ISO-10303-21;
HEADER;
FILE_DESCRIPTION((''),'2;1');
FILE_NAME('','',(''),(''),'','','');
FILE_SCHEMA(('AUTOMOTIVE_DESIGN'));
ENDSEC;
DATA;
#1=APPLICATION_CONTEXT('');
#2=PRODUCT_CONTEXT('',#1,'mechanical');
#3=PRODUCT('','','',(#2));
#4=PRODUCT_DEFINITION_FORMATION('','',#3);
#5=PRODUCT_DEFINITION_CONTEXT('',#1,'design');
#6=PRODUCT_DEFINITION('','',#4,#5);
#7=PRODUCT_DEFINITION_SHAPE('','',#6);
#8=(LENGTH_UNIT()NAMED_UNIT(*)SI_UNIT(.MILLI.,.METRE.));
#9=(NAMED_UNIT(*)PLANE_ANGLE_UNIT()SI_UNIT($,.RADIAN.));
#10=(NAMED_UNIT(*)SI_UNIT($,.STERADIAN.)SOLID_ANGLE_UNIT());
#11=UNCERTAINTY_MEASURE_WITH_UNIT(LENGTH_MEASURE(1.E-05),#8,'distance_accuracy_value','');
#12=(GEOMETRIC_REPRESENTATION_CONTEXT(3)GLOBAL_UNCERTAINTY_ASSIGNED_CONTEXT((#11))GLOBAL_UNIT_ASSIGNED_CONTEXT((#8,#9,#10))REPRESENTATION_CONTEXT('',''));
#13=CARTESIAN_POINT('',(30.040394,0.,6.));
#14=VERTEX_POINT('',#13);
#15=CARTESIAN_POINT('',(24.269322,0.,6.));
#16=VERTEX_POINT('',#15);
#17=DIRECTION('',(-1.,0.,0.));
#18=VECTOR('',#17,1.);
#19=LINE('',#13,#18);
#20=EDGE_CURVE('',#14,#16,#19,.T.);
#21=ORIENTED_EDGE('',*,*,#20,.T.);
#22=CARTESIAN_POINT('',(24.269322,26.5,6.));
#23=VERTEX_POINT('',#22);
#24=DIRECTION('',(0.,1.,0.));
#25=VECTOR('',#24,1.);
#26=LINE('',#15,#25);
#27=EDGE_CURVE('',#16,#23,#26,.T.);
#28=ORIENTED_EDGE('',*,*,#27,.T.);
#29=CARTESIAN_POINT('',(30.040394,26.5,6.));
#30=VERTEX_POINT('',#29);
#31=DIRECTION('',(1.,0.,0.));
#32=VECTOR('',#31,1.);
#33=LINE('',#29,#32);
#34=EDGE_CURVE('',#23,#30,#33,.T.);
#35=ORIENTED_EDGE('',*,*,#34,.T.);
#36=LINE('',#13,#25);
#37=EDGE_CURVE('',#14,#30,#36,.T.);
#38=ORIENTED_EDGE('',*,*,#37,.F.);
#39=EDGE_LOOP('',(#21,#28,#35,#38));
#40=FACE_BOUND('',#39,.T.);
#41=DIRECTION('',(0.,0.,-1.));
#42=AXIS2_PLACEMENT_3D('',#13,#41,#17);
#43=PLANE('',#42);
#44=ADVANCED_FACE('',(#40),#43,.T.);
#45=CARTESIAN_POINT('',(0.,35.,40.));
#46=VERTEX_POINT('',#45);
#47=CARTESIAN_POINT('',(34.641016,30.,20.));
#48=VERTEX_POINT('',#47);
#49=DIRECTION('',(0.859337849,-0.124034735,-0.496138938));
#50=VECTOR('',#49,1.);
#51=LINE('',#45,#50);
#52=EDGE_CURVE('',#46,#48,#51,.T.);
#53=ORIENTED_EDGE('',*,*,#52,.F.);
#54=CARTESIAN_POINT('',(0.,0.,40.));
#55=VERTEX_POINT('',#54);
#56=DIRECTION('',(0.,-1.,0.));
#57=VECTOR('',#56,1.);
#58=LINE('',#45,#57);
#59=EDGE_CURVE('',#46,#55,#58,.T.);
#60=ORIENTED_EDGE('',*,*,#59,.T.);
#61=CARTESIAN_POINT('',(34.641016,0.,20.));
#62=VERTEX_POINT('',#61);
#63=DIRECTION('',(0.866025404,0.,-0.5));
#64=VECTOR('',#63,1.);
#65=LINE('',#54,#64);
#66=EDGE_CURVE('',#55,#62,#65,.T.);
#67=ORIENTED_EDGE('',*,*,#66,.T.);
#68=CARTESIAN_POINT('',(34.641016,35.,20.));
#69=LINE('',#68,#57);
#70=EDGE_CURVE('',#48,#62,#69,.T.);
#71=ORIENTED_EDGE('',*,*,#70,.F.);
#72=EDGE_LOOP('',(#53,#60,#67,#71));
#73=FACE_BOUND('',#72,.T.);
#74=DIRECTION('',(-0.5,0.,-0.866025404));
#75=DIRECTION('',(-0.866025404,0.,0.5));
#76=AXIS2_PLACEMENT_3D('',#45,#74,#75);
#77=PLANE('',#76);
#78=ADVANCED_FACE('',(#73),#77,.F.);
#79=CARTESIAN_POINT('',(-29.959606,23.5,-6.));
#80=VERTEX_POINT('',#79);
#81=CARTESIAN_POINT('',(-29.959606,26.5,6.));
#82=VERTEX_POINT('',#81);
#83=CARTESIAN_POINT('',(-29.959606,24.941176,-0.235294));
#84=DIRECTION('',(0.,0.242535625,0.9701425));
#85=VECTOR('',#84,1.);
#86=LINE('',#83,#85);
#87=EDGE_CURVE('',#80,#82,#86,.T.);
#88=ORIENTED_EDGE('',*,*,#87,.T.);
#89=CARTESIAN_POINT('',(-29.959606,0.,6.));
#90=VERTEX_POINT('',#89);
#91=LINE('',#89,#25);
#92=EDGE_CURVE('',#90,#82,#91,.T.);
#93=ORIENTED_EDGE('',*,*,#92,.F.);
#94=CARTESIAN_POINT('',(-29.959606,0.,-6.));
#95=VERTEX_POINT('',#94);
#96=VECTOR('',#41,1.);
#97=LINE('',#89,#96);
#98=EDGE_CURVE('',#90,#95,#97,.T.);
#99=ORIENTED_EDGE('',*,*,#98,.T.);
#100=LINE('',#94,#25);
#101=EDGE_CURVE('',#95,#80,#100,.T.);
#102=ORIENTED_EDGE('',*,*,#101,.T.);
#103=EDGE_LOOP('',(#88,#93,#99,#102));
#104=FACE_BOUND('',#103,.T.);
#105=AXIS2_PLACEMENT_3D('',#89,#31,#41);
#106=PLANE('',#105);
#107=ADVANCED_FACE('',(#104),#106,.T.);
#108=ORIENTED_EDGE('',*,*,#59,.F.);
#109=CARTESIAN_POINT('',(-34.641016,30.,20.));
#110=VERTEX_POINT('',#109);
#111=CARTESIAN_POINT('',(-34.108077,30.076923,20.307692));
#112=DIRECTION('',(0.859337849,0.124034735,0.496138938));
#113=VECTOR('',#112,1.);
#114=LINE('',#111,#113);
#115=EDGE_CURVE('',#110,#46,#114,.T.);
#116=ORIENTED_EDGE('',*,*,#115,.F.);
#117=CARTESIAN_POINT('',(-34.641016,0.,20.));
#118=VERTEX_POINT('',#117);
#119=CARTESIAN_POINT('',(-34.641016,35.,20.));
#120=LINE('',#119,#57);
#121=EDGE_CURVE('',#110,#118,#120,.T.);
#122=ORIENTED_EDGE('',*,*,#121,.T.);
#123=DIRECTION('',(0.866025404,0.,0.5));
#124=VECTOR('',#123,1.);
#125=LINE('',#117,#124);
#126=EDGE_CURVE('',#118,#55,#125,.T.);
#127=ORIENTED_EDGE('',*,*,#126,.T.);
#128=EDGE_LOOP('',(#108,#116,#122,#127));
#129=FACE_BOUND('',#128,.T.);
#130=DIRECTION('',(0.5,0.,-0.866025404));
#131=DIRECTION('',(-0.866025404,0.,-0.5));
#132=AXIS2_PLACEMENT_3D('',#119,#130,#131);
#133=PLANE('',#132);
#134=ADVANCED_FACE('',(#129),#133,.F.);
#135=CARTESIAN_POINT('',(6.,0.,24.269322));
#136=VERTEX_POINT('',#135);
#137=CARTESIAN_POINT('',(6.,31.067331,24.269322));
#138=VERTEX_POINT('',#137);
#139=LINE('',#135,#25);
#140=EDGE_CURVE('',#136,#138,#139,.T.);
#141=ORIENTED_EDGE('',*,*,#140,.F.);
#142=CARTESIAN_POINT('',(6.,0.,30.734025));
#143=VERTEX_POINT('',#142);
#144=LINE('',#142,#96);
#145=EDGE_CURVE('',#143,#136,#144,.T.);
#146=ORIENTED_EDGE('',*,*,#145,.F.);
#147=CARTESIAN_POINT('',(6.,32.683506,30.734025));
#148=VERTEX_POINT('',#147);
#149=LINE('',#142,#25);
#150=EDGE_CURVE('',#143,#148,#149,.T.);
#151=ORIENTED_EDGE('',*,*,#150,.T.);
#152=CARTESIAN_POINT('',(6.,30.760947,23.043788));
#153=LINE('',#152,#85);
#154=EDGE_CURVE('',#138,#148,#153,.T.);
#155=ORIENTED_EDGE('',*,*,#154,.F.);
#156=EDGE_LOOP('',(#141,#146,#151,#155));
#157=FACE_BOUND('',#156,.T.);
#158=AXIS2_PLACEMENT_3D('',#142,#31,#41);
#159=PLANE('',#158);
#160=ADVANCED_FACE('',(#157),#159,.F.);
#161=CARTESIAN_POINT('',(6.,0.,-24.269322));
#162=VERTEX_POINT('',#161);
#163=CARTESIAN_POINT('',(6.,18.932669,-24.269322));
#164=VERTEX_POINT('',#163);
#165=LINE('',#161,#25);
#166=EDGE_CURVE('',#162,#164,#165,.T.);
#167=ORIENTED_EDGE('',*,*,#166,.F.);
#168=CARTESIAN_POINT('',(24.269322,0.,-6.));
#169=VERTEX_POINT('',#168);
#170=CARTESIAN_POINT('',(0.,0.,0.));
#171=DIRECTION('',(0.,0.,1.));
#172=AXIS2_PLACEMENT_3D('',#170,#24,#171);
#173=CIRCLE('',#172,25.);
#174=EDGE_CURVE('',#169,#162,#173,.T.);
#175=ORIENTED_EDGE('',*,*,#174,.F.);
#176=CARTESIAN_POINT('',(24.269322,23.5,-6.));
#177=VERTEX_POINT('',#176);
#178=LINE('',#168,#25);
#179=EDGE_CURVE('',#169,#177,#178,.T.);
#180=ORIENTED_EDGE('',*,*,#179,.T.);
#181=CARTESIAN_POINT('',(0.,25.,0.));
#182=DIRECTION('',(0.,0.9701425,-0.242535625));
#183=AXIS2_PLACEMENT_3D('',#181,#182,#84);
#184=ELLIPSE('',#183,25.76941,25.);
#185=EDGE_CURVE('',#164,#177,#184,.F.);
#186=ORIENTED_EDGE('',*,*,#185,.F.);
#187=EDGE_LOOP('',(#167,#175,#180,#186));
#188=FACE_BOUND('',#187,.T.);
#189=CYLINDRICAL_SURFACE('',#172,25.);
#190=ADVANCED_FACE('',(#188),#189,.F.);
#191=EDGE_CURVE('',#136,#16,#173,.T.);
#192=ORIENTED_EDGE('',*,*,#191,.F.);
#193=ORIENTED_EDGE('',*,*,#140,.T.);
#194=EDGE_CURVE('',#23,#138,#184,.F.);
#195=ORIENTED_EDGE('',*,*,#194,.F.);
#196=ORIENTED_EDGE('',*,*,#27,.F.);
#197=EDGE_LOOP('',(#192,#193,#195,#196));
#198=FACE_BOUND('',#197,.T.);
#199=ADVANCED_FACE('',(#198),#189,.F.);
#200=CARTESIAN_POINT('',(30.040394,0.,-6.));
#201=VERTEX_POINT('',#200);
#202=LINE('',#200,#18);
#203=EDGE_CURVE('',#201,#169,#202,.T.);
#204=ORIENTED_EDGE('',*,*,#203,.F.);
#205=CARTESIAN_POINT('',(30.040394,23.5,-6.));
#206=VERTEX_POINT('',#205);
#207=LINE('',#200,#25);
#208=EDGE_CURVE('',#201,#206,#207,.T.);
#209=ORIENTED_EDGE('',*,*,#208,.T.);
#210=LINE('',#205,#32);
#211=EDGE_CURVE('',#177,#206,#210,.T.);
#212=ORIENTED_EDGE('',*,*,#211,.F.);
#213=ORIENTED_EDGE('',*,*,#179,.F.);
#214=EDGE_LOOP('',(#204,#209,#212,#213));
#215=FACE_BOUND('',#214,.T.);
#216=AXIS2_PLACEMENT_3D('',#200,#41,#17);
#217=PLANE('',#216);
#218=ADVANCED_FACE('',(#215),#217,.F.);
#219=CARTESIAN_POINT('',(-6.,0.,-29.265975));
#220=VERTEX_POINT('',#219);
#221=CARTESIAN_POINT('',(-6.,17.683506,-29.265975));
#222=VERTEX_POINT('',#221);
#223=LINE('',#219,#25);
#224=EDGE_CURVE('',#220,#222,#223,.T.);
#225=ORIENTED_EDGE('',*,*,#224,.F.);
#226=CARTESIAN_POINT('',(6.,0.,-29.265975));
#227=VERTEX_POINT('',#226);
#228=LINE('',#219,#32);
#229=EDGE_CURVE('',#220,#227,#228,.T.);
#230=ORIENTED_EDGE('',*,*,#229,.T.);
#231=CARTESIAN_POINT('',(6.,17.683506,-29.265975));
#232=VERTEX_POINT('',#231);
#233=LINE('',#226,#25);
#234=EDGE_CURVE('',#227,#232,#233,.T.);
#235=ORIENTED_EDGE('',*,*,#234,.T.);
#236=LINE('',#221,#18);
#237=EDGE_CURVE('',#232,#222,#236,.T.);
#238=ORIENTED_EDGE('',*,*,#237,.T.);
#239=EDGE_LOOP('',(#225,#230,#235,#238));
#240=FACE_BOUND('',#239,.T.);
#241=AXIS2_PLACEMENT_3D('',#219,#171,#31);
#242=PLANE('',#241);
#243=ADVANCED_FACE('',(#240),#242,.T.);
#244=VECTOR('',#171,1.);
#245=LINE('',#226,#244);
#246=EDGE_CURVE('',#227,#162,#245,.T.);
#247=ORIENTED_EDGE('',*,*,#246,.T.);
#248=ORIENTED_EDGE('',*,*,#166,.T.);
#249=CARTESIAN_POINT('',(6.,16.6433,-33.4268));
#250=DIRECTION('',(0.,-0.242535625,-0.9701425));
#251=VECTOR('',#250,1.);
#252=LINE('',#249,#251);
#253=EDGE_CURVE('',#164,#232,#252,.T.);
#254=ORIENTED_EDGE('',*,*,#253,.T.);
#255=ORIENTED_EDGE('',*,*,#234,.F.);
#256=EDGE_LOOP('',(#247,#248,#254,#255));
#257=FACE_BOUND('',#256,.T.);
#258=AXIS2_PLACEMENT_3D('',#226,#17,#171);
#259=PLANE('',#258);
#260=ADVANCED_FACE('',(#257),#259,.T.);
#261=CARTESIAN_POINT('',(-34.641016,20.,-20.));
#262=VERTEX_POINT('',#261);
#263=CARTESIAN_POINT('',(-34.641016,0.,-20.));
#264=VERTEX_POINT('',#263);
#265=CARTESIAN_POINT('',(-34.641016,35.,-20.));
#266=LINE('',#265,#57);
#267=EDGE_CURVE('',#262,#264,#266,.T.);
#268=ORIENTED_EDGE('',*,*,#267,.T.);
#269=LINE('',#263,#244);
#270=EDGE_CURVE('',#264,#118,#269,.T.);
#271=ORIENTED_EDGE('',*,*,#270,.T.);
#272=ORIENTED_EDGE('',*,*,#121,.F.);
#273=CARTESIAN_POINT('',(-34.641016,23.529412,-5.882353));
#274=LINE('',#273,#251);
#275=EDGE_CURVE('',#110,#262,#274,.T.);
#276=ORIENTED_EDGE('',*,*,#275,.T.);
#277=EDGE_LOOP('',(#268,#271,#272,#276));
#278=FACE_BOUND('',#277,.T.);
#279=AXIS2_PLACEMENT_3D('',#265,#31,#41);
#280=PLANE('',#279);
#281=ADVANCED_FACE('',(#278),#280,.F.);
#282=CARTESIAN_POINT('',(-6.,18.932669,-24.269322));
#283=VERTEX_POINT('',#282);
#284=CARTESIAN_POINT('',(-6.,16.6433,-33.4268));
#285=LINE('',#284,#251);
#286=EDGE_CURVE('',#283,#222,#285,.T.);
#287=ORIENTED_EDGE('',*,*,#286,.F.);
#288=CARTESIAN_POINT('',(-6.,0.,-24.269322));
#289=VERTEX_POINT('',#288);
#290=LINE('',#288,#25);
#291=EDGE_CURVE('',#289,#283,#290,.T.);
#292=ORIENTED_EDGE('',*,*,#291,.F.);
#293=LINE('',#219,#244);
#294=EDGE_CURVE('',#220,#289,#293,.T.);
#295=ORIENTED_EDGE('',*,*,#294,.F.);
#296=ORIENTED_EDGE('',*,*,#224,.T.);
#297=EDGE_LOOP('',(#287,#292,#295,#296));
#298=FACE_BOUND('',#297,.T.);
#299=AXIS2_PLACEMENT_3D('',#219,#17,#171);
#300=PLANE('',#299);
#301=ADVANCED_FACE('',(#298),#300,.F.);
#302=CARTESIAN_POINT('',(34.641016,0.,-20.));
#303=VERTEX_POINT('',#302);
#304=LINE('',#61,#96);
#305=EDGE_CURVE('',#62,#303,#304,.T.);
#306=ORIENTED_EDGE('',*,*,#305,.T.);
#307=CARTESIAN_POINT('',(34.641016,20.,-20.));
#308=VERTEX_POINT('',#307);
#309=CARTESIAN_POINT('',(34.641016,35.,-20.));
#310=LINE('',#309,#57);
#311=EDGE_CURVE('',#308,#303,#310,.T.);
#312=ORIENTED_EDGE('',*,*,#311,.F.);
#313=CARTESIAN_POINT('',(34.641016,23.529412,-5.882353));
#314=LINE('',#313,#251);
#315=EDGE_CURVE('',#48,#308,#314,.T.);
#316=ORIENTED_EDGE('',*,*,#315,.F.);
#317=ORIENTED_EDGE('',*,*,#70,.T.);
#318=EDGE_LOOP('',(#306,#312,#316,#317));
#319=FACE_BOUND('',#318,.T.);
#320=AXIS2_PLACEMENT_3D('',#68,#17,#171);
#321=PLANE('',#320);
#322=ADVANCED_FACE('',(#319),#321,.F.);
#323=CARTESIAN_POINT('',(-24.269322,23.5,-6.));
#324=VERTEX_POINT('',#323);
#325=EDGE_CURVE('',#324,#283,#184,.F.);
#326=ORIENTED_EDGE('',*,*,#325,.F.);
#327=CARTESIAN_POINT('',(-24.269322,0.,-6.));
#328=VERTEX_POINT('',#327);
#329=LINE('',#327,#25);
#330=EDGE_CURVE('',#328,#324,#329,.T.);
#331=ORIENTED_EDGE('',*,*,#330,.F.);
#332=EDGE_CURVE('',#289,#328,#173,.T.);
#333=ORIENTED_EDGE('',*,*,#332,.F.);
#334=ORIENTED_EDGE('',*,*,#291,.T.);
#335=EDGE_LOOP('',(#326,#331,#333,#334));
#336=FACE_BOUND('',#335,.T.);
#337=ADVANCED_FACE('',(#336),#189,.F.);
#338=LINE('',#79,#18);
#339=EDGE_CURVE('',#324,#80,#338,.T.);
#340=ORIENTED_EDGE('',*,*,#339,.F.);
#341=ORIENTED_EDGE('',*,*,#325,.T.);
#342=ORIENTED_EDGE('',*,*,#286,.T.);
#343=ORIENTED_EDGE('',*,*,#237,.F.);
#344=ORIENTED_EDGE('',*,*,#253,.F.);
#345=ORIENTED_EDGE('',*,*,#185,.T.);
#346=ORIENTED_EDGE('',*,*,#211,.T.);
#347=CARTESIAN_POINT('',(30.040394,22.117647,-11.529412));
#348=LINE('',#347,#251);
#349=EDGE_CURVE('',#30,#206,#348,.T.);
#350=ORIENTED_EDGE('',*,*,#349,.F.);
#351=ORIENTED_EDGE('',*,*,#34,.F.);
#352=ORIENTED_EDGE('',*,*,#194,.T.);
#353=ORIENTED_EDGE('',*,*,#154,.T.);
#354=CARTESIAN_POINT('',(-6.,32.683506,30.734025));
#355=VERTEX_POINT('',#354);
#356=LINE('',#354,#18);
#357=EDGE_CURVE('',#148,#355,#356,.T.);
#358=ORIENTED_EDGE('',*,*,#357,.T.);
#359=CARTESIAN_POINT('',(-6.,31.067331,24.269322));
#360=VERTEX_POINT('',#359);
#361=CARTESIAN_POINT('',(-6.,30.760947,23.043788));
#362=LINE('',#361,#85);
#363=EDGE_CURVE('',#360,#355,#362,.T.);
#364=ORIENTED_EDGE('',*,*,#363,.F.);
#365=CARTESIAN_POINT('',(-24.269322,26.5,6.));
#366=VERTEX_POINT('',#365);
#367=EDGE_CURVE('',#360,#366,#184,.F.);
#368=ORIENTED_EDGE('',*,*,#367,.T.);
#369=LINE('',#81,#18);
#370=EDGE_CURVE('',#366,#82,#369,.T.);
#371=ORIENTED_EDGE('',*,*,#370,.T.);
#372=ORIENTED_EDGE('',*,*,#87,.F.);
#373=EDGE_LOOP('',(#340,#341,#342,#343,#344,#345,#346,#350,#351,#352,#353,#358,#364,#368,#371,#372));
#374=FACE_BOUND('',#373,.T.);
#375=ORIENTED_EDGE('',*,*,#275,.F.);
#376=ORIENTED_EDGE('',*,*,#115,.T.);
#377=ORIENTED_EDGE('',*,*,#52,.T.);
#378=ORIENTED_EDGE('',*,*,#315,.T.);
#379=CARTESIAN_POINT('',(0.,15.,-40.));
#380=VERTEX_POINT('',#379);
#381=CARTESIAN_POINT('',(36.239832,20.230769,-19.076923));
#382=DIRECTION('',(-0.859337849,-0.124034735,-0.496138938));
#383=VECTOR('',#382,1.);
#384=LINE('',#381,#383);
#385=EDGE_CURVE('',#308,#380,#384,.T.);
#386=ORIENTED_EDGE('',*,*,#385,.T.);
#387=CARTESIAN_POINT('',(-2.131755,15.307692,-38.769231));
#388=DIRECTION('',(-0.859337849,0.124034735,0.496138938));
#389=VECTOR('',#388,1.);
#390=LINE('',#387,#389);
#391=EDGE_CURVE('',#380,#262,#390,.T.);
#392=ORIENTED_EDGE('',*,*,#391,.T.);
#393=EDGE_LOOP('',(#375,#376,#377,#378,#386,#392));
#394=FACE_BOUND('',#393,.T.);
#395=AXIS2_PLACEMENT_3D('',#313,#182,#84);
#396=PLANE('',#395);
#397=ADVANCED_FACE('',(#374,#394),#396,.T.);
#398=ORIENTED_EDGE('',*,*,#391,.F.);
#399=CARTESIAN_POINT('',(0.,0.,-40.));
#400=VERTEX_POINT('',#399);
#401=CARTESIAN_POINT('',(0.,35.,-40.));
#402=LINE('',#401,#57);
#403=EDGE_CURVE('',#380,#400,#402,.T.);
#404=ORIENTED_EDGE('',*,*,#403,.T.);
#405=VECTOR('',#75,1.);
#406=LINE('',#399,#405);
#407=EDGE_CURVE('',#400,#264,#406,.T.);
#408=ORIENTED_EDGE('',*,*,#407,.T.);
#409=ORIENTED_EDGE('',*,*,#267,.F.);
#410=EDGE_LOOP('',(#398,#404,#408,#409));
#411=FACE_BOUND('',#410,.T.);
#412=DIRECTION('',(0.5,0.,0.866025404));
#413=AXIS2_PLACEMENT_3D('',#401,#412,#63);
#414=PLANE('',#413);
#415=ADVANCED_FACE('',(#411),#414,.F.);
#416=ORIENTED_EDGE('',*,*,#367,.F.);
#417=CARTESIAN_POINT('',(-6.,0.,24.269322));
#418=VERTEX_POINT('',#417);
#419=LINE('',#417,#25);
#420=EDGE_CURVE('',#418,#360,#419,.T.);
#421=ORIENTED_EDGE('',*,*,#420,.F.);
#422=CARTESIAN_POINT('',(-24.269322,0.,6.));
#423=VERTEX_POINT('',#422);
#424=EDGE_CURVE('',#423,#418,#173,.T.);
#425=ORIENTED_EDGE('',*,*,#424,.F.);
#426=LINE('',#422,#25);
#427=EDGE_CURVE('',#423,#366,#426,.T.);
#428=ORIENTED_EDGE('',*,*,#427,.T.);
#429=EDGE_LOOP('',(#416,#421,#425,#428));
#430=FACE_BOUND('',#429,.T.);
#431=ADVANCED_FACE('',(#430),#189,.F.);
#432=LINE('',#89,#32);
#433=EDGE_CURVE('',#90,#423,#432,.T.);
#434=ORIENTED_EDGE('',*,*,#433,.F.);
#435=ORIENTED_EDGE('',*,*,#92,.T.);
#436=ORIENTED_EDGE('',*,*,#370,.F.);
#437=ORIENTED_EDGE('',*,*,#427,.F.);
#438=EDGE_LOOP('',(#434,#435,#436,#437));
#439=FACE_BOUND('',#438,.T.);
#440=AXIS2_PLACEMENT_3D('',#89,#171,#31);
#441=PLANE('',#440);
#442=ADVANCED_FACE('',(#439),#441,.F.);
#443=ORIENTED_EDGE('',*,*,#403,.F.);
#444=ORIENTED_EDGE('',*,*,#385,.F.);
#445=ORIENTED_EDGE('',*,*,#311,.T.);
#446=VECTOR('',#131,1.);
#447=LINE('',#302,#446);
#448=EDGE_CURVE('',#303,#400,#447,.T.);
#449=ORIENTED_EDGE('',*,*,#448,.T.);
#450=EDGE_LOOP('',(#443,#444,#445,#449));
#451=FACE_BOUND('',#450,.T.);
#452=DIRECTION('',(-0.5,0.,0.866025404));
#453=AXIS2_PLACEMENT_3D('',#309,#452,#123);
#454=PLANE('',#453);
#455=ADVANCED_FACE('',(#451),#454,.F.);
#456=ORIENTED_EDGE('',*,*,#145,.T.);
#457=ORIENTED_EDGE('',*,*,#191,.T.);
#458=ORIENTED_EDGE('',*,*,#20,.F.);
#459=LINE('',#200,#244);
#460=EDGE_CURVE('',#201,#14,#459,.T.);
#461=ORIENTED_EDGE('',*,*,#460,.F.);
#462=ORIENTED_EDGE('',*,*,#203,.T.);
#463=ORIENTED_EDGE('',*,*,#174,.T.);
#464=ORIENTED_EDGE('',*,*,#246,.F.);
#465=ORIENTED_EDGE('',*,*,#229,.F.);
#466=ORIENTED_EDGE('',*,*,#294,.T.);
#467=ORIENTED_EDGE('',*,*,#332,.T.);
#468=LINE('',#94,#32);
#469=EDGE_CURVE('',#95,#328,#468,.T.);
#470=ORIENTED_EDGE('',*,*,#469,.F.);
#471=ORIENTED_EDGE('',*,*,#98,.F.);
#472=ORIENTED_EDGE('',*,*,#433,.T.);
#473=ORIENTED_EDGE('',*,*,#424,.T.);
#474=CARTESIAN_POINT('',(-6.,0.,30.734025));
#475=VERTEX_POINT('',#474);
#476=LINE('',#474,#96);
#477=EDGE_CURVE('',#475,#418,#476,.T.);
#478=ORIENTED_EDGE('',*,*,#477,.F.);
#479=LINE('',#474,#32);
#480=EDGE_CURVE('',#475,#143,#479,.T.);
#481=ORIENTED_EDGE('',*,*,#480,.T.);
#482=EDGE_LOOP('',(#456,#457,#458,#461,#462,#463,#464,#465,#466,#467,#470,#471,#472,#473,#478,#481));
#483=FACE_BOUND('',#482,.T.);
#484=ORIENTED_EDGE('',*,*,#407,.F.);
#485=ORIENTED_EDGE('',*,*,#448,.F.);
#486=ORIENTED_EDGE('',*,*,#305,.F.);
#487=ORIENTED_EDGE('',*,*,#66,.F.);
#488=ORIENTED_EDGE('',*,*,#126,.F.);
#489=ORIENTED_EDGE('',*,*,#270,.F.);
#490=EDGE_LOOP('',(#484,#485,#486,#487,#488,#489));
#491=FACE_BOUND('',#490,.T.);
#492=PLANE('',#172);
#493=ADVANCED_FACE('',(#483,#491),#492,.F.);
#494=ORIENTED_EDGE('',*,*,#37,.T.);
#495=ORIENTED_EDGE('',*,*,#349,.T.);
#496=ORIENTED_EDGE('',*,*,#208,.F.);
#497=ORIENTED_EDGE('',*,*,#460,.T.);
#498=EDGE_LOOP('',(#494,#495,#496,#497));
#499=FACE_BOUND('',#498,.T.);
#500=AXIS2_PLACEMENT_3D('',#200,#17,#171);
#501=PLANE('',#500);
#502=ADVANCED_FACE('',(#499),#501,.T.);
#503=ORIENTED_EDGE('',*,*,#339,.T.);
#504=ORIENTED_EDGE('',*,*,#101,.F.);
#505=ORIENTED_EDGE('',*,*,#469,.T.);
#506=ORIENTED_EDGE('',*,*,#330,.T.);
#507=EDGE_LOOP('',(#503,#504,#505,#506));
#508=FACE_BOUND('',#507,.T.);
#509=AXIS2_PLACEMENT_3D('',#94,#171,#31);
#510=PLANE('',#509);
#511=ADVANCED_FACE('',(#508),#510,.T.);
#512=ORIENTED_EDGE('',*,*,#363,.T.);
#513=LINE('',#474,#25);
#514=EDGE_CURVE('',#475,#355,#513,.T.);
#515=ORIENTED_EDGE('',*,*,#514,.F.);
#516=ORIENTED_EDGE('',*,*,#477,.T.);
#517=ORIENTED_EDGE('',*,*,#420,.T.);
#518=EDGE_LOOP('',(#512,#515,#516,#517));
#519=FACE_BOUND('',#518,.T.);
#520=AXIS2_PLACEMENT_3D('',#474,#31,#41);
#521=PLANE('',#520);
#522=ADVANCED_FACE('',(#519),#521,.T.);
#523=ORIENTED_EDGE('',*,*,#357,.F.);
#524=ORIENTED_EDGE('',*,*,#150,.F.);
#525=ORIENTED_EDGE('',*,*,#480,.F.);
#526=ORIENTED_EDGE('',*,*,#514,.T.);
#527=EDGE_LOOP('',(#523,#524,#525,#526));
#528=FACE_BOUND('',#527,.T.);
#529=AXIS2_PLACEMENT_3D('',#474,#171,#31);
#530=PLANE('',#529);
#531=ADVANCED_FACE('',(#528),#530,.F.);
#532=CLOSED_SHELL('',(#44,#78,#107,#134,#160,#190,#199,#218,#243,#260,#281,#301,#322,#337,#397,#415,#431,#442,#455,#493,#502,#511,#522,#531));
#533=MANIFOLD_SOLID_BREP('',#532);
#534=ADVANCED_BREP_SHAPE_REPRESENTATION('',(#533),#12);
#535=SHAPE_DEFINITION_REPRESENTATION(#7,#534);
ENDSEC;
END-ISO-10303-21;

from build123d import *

# Parameters (mm, degrees)
BOSS_EXTRUDE2_DEPTH      = 35
CUT_EXTRUDE8_DEPTH       = 1
CUT_EXTRUDE8_DEPTH_BACK  = 36
CUT_EXTRUDE10_DEPTH      = 1
CUT_EXTRUDE10_DEPTH_BACK = 70.282032303


with BuildPart() as part:
    # Sketch1 → Boss-Extrude2 (new body)
    with BuildSketch(Plane(origin=(0, 0, 0), x_dir=(1, 0, 0), z_dir=(0, 1, 0))):
        Polygon((0, 40), (-34.641016151, 20), (-34.641016151, -20), (0, -40), (34.641016151, -20), (34.641016151, 20), align=None)
    extrude(amount=BOSS_EXTRUDE2_DEPTH)

    # Sketch8 → Cut-Extrude8 (cut, two sides)
    with BuildSketch(Plane(origin=(0, 35, 0), x_dir=(1, 0, 0), z_dir=(0, 1, 0))) as cut_extrude8_sk:
        with BuildLine():
            Line((-6, 29.265974935), (6, 29.265974935))
            Line((6, 29.265974935), (6, 24.269322199))
            ThreePointArc((6, 24.269322199), (17.67766953, 17.67766953), (24.269322199, 6))
            Line((24.269322199, 6), (30.040393537, 6))
            Line((30.040393537, 6), (30.040393537, -6))
            Line((30.040393537, -6), (24.269322199, -6))
            ThreePointArc((24.269322199, -6), (17.67766953, -17.67766953), (6, -24.269322199))
            Line((6, -24.269322199), (6, -30.734025065))
            Line((6, -30.734025065), (-6, -30.734025065))
            Line((-6, -30.734025065), (-6, -24.269322199))
            ThreePointArc((-6, -24.269322199), (-17.67766953, -17.67766953), (-24.269322199, -6))
            Line((-24.269322199, -6), (-29.959606463, -6))
            Line((-29.959606463, -6), (-29.959606463, 6))
            Line((-29.959606463, 6), (-24.269322199, 6))
            ThreePointArc((-24.269322199, 6), (-17.67766953, 17.67766953), (-6, 24.269322199))
            Line((-6, 24.269322199), (-6, 29.265974935))
        make_face()
    extrude(amount=CUT_EXTRUDE8_DEPTH, mode=Mode.SUBTRACT)
    extrude(cut_extrude8_sk.sketch, amount=-CUT_EXTRUDE8_DEPTH_BACK, mode=Mode.SUBTRACT)

    # Sketch9 → Cut-Extrude10 (cut, two sides)
    with BuildSketch(Plane.ZY.offset(34.641016151)) as cut_extrude10_sk:
        Polygon((40, 35), (-40, 15), (-40, 35), (-20, 35), (20, 35), align=None)
    extrude(amount=CUT_EXTRUDE10_DEPTH, mode=Mode.SUBTRACT)
    extrude(cut_extrude10_sk.sketch, amount=-CUT_EXTRUDE10_DEPTH_BACK, mode=Mode.SUBTRACT)


solid = part.part
